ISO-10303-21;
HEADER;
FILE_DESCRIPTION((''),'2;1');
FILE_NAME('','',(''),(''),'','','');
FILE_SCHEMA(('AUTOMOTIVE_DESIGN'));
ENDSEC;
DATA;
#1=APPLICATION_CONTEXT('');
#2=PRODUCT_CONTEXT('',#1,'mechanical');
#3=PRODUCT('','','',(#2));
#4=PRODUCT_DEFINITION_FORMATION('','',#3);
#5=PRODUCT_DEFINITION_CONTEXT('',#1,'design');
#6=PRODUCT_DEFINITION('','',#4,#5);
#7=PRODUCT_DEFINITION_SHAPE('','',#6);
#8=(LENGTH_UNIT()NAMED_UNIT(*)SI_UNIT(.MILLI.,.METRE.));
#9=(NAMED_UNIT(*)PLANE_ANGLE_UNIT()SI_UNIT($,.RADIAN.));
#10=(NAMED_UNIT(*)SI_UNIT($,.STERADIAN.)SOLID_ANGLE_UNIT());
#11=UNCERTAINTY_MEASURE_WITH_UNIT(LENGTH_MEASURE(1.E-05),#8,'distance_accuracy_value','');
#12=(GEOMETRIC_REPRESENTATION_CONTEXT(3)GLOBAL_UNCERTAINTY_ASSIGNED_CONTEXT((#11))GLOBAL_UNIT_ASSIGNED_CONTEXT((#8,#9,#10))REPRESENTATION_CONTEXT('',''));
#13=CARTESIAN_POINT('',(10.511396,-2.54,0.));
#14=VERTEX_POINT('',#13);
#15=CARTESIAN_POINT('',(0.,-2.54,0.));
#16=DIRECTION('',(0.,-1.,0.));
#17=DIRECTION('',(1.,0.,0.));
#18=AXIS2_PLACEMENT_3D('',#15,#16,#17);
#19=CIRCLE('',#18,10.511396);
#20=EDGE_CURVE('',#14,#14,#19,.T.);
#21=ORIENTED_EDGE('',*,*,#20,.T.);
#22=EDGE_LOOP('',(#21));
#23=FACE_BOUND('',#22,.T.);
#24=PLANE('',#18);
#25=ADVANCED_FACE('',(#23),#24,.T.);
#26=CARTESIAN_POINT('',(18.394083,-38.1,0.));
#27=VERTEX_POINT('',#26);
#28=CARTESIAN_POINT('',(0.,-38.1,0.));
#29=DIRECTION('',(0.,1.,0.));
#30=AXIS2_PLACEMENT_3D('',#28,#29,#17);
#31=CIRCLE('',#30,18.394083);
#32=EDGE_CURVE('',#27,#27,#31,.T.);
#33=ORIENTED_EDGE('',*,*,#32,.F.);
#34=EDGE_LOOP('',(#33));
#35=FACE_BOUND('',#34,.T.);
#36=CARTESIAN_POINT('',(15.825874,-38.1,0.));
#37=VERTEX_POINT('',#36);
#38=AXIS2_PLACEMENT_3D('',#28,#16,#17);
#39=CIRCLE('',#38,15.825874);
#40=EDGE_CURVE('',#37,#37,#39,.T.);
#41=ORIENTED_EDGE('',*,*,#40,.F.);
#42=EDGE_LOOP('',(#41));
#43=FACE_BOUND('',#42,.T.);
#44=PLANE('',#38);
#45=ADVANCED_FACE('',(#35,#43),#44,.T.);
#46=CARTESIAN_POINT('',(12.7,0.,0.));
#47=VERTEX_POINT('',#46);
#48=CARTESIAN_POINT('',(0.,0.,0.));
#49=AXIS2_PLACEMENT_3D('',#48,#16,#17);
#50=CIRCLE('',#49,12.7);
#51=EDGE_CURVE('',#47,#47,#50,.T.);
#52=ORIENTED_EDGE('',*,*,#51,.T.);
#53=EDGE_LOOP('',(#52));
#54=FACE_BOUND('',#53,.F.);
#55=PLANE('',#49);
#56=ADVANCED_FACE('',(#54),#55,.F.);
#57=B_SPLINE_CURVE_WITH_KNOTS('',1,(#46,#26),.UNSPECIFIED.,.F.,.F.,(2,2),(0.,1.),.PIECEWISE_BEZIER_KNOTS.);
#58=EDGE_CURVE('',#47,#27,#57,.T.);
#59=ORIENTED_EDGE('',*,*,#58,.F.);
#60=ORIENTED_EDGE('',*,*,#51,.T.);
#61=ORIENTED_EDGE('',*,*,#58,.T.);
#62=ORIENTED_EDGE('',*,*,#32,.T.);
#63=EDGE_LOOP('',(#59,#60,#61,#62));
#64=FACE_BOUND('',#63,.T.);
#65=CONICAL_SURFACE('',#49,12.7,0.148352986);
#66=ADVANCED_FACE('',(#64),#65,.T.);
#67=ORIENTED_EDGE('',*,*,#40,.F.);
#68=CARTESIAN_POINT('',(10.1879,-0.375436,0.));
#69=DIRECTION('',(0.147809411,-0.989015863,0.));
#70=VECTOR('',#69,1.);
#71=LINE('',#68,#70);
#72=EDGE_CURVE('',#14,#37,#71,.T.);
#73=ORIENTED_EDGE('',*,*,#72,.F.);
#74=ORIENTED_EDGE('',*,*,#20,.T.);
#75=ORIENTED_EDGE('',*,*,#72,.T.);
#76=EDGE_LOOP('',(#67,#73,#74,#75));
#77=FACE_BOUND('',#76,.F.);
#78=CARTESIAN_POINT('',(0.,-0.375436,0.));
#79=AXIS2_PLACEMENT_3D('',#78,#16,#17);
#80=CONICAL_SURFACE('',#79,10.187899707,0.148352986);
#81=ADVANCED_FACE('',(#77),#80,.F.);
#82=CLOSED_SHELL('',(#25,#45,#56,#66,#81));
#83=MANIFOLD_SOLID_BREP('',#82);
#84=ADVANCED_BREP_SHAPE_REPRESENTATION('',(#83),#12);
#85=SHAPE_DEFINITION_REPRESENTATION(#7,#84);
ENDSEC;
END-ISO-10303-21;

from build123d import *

# Parameters (mm, degrees)
F0_R     = 12.7
F1_DEPTH = 38.1
F1_TAPER = -8.5
F2_T     = -2.54


with BuildPart() as f1:
    # F0 (on Front) → F1 (new body)
    with BuildSketch(Plane.XZ):
        Circle(F0_R)
    extrude(amount=F1_DEPTH, taper=F1_TAPER)

    # F2
    f2_openings = [f1.faces().sort_by_distance(p)[0] for p in [
        (0, -38.1, 0),
    ]]
    offset(amount=F2_T, openings=f2_openings, kind=Kind.INTERSECTION)


solid = f1.part
